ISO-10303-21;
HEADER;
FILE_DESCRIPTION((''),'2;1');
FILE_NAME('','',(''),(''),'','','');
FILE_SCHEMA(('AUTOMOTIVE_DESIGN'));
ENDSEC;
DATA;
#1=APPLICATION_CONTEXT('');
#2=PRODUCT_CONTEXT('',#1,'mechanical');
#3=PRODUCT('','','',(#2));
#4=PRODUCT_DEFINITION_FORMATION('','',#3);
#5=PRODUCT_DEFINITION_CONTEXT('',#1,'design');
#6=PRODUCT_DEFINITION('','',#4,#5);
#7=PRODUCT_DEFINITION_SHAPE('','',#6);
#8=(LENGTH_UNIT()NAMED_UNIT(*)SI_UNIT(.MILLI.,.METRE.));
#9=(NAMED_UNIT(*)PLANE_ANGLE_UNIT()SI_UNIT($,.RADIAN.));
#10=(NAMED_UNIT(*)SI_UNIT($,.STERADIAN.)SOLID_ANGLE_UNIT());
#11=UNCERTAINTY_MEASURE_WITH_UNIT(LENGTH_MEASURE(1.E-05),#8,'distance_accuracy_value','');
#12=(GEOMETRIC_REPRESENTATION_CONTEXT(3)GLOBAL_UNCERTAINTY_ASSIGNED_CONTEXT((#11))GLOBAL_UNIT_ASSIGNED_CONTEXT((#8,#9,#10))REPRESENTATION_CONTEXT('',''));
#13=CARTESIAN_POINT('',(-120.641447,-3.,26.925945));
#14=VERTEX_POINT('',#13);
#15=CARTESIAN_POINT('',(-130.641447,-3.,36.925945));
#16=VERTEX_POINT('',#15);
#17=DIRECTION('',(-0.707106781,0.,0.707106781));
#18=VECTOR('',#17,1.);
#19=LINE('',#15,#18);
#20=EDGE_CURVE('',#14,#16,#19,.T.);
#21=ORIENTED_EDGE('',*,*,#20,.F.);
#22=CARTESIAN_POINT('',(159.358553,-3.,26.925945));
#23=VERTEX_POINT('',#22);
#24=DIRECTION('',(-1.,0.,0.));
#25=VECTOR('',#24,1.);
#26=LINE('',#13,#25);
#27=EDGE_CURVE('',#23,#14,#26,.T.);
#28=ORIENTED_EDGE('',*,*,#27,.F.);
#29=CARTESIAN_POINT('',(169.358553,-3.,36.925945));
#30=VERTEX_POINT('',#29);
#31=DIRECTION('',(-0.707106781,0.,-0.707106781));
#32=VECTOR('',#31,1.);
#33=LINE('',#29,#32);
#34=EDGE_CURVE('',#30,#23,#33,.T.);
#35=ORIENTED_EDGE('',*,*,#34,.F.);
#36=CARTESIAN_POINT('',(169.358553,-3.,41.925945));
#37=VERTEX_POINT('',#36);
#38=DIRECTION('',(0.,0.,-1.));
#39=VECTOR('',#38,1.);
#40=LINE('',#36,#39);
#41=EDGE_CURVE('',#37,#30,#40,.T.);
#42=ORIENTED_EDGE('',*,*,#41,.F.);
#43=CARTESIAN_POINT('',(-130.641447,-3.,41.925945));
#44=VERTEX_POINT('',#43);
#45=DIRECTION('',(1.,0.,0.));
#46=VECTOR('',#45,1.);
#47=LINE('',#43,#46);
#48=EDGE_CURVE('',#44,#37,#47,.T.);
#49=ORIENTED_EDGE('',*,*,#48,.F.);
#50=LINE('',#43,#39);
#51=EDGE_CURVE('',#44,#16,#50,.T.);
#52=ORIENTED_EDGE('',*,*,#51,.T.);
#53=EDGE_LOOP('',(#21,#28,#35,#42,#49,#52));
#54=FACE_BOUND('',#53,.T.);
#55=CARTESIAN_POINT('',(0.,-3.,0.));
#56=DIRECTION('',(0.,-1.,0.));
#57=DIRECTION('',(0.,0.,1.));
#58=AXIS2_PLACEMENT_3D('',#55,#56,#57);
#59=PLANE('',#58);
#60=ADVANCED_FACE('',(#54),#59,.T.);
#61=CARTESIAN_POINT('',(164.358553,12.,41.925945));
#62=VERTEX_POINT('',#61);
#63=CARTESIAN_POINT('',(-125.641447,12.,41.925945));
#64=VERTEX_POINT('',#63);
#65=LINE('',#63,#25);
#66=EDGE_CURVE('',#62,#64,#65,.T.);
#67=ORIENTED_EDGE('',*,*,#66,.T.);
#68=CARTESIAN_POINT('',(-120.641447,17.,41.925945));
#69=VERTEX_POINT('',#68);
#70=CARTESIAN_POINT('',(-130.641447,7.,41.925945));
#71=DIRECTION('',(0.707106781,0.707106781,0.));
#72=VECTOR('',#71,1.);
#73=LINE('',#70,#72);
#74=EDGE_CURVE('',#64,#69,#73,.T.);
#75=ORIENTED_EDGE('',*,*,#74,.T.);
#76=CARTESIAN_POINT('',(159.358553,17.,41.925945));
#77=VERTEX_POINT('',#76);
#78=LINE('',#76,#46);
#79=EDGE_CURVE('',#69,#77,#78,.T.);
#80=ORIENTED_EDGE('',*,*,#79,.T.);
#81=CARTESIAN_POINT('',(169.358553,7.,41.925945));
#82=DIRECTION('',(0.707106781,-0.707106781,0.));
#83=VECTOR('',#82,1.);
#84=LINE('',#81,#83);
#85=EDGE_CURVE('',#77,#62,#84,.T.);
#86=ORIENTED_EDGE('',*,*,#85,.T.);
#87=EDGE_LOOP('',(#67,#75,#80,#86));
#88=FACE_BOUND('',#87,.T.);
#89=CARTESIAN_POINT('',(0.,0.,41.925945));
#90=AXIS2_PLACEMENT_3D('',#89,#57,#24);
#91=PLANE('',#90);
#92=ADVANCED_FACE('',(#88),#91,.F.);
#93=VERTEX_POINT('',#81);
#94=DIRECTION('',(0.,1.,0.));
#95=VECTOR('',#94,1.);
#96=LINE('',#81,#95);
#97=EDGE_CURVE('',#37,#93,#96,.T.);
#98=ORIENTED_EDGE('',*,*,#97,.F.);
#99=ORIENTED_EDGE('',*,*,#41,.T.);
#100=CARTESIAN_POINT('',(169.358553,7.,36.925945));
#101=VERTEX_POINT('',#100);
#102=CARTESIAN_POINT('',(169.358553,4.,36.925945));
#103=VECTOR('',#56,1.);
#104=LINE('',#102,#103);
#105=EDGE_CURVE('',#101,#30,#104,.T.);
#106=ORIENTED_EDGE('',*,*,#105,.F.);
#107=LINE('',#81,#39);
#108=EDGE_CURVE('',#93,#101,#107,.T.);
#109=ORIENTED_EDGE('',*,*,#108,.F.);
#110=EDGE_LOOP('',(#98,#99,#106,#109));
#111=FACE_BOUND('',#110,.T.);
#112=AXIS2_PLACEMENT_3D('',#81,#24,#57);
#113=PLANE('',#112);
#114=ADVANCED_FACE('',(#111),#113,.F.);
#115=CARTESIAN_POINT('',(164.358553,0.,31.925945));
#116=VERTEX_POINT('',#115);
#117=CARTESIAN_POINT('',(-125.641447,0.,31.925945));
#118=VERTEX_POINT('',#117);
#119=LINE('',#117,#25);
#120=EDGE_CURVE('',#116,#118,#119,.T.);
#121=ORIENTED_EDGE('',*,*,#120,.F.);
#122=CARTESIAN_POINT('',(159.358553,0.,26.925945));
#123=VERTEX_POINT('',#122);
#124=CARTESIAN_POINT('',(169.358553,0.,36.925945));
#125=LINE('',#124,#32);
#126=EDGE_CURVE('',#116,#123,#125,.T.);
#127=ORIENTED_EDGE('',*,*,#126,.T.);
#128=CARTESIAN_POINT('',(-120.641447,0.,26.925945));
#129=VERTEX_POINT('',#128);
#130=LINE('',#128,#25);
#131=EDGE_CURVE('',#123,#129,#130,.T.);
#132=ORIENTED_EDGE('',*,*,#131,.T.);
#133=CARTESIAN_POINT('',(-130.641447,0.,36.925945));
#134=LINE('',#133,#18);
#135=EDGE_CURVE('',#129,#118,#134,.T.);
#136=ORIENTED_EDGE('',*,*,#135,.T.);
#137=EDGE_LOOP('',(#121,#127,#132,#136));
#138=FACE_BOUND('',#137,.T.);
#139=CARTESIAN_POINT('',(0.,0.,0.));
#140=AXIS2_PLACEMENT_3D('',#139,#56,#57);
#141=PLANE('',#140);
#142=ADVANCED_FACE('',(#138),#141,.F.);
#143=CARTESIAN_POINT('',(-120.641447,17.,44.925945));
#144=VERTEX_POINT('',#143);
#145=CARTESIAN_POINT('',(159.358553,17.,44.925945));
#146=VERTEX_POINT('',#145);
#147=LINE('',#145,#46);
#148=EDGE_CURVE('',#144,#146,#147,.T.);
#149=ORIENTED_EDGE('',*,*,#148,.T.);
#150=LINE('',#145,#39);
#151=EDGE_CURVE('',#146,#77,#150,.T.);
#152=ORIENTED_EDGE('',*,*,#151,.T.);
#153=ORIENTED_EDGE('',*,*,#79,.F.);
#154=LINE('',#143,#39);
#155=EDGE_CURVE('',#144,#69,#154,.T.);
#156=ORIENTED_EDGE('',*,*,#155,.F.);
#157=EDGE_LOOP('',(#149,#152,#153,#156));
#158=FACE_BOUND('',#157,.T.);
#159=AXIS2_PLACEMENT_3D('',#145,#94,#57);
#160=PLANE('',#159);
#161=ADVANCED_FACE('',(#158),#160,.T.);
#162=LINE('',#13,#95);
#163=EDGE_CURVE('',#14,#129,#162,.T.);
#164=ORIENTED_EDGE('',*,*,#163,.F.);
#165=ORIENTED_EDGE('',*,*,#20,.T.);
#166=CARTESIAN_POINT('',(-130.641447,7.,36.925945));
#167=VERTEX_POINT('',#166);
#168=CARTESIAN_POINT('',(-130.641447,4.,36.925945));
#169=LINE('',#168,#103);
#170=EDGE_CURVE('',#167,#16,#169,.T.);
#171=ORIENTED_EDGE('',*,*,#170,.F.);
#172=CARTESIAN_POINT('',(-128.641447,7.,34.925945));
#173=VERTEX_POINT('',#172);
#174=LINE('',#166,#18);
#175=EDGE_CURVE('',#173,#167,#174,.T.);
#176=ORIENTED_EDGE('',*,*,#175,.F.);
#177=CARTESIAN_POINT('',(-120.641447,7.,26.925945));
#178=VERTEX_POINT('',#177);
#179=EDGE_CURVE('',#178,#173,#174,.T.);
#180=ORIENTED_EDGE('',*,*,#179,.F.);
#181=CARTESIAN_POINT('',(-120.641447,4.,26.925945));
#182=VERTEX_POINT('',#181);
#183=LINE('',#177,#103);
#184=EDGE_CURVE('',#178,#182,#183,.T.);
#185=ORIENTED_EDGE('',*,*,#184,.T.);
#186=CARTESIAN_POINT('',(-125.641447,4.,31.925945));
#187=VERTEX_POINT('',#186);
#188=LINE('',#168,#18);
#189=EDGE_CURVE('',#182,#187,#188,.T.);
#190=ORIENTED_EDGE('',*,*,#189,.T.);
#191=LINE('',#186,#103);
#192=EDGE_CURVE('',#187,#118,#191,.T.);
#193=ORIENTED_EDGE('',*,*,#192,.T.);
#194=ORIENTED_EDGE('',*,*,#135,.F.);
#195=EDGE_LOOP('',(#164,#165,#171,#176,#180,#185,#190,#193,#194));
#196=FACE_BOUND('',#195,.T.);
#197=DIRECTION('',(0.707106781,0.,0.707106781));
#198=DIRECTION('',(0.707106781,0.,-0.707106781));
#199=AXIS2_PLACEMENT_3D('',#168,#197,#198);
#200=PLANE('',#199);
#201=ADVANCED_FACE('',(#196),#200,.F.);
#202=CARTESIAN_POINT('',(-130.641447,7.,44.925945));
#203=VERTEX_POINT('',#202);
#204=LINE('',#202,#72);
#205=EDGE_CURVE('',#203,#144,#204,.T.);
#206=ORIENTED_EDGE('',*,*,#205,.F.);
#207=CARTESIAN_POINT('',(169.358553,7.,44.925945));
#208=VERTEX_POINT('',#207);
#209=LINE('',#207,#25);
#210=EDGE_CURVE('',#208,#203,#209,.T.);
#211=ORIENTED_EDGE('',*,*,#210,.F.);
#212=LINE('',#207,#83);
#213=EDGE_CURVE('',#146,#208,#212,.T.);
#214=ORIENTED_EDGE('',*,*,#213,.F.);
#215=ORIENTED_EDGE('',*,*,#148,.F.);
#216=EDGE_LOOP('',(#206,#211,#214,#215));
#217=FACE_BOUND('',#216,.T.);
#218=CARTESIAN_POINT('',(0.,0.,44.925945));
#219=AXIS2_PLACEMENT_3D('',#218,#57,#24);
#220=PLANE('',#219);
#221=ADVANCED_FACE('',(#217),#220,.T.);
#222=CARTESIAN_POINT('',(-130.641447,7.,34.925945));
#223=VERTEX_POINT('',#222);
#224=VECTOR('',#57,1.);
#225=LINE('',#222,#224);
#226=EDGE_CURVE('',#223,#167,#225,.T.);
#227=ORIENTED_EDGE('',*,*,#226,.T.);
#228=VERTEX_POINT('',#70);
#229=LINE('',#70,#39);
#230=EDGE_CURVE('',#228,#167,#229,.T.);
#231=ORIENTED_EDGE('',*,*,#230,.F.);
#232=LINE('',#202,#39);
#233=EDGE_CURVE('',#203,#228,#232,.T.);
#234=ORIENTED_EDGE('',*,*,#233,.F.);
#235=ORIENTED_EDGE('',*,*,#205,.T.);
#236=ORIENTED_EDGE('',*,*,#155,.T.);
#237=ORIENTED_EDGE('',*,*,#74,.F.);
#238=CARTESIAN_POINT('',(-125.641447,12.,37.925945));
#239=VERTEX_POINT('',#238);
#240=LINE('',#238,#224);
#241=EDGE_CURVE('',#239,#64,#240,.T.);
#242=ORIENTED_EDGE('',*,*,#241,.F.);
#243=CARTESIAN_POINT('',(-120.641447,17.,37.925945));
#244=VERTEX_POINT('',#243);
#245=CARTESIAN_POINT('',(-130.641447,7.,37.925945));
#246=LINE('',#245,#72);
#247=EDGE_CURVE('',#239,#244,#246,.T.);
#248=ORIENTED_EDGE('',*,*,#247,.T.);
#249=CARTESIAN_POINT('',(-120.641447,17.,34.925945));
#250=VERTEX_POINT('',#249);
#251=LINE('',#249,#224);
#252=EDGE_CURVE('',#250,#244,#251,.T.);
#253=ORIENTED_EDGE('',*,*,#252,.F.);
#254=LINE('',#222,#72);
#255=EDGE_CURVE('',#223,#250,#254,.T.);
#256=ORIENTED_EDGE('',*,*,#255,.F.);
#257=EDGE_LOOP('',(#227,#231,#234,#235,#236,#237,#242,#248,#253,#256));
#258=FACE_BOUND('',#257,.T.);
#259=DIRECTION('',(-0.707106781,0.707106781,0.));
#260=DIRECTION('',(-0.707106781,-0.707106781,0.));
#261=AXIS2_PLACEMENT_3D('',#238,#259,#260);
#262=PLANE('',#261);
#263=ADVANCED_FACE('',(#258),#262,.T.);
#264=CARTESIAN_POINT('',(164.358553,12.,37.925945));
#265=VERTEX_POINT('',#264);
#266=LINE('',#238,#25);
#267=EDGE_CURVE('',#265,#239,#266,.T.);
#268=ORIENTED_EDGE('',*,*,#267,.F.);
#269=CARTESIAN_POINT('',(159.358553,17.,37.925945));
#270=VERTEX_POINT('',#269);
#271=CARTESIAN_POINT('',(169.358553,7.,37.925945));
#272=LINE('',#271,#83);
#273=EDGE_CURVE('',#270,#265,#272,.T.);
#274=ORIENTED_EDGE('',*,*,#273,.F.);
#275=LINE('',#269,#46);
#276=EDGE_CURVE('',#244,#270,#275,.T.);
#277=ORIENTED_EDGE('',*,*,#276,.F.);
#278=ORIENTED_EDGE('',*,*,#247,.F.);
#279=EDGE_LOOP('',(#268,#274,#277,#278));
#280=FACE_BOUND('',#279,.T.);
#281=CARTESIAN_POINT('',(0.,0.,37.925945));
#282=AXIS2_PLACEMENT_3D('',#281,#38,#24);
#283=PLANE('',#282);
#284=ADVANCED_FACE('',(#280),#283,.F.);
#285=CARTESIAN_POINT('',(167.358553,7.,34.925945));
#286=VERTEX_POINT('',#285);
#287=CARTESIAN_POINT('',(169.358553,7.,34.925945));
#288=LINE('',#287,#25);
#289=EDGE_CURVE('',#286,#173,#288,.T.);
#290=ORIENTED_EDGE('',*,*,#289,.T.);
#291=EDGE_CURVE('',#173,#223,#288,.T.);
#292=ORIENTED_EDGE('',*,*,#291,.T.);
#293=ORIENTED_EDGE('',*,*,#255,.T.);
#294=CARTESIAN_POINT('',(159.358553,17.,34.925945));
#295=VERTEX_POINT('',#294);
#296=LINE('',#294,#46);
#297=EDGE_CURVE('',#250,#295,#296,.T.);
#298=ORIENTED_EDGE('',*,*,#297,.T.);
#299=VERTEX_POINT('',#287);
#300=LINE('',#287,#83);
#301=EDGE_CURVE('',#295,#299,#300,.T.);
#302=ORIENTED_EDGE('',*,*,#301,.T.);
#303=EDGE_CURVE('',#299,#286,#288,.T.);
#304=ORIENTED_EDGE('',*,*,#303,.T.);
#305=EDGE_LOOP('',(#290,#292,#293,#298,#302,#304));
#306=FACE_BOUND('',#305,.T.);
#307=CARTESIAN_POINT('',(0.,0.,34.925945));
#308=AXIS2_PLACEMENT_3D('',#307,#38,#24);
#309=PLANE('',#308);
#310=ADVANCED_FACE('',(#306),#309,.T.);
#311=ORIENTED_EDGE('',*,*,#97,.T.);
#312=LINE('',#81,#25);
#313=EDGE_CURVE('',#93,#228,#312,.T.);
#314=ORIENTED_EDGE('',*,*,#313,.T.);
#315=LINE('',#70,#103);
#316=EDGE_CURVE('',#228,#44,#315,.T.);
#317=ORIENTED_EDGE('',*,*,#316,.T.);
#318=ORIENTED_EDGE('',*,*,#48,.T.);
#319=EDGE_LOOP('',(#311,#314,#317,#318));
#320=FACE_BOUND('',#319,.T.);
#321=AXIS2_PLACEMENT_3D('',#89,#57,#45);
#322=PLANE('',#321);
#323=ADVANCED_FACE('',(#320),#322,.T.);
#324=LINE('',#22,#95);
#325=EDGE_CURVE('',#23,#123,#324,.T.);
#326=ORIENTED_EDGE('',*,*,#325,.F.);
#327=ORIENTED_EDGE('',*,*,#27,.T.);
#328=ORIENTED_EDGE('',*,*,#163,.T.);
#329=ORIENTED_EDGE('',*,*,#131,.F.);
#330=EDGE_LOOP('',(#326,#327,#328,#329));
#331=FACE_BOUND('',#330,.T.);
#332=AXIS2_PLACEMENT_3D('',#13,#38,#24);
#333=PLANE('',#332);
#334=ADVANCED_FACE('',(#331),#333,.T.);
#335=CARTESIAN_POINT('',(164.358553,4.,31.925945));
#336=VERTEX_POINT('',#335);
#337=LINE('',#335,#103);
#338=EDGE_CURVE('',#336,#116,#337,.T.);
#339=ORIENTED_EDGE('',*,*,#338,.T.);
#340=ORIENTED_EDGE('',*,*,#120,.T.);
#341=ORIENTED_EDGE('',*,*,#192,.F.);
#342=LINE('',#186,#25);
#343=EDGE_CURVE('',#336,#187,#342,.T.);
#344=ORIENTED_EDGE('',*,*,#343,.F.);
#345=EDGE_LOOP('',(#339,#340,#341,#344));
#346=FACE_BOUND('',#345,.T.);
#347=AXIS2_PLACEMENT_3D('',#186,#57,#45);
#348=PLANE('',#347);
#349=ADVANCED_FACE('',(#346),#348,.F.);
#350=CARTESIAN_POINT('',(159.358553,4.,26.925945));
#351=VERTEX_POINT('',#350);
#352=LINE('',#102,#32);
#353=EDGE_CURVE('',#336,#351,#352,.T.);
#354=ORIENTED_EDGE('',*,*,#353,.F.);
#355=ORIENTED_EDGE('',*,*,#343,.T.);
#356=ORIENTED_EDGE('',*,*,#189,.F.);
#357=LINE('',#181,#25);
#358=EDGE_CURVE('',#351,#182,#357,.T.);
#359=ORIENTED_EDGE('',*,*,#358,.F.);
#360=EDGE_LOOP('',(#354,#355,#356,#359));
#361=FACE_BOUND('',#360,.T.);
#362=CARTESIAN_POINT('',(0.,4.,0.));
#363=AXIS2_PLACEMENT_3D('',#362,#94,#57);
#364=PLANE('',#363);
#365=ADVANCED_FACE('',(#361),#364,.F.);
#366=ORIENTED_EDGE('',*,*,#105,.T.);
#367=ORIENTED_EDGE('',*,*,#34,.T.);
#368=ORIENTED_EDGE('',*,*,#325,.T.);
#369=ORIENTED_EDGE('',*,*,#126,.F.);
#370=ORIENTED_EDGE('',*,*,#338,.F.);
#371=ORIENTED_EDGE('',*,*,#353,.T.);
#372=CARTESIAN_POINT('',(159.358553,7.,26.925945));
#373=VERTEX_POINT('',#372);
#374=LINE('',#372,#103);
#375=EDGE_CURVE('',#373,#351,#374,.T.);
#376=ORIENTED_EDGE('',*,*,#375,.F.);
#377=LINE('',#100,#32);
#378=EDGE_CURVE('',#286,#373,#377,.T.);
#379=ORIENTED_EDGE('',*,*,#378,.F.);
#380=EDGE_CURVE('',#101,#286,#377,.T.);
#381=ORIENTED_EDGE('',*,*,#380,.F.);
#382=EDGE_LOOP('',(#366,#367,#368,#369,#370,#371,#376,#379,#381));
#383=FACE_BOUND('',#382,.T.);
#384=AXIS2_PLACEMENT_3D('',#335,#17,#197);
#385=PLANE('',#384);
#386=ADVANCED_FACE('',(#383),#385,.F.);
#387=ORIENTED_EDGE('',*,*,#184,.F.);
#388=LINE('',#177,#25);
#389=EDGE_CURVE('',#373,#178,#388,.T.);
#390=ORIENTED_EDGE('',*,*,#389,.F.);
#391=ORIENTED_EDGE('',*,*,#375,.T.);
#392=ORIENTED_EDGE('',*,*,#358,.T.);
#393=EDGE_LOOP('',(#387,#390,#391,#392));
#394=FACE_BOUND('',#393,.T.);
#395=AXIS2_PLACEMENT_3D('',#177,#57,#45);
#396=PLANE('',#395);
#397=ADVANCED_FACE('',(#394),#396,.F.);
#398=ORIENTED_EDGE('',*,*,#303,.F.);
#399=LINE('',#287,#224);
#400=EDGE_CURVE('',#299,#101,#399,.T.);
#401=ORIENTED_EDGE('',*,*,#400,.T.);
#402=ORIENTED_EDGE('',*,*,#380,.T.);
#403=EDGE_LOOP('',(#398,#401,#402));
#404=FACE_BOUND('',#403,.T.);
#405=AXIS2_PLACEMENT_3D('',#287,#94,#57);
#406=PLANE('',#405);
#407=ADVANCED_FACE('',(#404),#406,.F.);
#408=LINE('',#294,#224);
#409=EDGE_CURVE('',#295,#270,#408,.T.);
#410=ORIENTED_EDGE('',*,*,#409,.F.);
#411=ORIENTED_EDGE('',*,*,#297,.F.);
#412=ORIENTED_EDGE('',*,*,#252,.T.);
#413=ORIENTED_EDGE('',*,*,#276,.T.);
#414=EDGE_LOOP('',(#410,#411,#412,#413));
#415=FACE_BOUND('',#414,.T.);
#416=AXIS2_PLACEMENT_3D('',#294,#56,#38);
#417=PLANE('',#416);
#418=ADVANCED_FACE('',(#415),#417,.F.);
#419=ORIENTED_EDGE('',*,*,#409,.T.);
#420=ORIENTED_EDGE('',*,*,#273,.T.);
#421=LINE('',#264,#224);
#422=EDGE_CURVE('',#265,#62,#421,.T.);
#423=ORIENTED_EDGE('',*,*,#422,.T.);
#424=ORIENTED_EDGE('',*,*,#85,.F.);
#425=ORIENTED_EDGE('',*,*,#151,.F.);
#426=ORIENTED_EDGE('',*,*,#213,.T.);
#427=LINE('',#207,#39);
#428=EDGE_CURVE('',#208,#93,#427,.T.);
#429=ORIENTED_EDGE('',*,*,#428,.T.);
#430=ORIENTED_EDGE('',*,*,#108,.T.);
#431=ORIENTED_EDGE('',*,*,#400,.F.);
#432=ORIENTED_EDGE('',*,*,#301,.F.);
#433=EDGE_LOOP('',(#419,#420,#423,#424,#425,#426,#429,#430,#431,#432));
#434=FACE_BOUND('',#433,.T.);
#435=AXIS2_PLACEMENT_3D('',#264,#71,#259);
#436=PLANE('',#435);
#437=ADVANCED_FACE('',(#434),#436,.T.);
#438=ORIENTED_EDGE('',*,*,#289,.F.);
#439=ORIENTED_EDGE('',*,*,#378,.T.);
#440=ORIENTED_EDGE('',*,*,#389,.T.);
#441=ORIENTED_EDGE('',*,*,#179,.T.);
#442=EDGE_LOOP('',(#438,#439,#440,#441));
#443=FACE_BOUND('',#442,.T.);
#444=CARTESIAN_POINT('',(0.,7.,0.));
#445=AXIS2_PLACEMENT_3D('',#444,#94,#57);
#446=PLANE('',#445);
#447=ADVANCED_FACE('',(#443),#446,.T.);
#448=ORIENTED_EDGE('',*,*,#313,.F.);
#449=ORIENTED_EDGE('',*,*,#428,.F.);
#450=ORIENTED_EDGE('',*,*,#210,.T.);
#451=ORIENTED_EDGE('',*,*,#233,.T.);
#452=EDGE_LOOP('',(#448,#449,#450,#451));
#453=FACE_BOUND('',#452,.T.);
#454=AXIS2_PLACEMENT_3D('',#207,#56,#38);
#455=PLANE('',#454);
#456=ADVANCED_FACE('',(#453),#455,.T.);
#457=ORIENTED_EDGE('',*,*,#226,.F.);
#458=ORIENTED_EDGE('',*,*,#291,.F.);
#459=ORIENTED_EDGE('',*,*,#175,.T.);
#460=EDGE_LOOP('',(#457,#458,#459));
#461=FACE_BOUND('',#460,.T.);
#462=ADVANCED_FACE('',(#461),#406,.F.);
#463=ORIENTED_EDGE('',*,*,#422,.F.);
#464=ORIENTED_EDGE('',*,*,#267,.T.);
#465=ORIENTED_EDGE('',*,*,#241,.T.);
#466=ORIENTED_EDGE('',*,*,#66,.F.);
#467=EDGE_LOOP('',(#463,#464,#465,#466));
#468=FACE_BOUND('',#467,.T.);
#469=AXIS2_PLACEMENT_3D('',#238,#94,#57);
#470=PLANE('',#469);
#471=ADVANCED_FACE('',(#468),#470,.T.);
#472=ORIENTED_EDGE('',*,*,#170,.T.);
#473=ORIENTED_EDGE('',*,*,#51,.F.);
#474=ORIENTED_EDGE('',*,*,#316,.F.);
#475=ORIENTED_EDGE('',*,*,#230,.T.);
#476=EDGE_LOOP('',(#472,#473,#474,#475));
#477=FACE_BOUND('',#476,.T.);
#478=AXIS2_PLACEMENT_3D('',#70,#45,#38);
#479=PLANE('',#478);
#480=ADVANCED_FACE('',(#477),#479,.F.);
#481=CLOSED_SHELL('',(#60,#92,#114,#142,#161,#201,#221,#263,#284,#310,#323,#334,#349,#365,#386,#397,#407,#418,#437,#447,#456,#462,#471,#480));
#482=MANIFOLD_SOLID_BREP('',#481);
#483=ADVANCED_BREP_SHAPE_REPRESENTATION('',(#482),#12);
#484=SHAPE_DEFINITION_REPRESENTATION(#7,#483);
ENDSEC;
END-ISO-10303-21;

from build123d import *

# Parameters (mm, degrees)
EXTRUDE_2_DEPTH = 4
EXTRUDE_3_DEPTH = 3
SKETCH_5_W      = 300
SKETCH_5_H      = 10
EXTRUDE_4_DEPTH = 5
EXTRUDE_5_DEPTH = 4
EXTRUDE_6_DEPTH = 3


with BuildPart() as part:
    # 草图2 → 凸台-拉伸2 (new body)
    with BuildSketch(Plane(origin=(0, 0, 0), x_dir=(1, 0, 0), z_dir=(0, 1, 0))):
        Polygon((-130.641446974, -36.925945051), (169.358553026, -36.925945051), (164.358553026, -31.925945051), (-125.641446974, -31.925945051), align=None)
    extrude(amount=EXTRUDE_2_DEPTH)

    # 草图3 → 凸台-拉伸3 (add)
    with BuildSketch(Plane(origin=(0, 4, 0), x_dir=(1, 0, 0), z_dir=(0, 1, 0))):
        Polygon((-130.641446974, -36.925945051), (-120.641446974, -26.925945051), (159.358553026, -26.925945051), (169.358553026, -36.925945051), align=None)
    extrude_3 = extrude(amount=EXTRUDE_3_DEPTH)

    # 镜向1: 凸台-拉伸3 across plane
    add(extrude_3.mirror(Plane.ZX.offset(2)))

    # 草图5 → 凸台-拉伸4 (add)
    with BuildSketch(Plane.XY.offset(36.925945051)):
        with Locations((19.358553026, 2)):
            Rectangle(SKETCH_5_W, SKETCH_5_H)
    extrude(amount=EXTRUDE_4_DEPTH)

    # 草图7 → 凸台-拉伸5 (add)
    with BuildSketch(Plane.XY.offset(41.925945051)):
        Polygon((-130.641446974, 7), (169.358553026, 7), (164.358553026, 12), (-125.641446974, 12), align=None)
    extrude(amount=-EXTRUDE_5_DEPTH)

    # 草图8 → 凸台-拉伸6 (add)
    with BuildSketch(Plane(origin=(0, 0, 37.925945051), x_dir=(-1, 0, 0), z_dir=(0, 0, -1))):
        Polygon((-169.358553026, 7), (-159.358553026, 17), (120.641446974, 17), (130.641446974, 7), align=None)
    extrude_6 = extrude(amount=EXTRUDE_6_DEPTH)

    # 镜向2: 凸台-拉伸6 across plane
    add(extrude_6.mirror(Plane(origin=(0, 0, 39.925945051), x_dir=(1, 0, 0), z_dir=(0, 0, -1))))


solid = part.part
